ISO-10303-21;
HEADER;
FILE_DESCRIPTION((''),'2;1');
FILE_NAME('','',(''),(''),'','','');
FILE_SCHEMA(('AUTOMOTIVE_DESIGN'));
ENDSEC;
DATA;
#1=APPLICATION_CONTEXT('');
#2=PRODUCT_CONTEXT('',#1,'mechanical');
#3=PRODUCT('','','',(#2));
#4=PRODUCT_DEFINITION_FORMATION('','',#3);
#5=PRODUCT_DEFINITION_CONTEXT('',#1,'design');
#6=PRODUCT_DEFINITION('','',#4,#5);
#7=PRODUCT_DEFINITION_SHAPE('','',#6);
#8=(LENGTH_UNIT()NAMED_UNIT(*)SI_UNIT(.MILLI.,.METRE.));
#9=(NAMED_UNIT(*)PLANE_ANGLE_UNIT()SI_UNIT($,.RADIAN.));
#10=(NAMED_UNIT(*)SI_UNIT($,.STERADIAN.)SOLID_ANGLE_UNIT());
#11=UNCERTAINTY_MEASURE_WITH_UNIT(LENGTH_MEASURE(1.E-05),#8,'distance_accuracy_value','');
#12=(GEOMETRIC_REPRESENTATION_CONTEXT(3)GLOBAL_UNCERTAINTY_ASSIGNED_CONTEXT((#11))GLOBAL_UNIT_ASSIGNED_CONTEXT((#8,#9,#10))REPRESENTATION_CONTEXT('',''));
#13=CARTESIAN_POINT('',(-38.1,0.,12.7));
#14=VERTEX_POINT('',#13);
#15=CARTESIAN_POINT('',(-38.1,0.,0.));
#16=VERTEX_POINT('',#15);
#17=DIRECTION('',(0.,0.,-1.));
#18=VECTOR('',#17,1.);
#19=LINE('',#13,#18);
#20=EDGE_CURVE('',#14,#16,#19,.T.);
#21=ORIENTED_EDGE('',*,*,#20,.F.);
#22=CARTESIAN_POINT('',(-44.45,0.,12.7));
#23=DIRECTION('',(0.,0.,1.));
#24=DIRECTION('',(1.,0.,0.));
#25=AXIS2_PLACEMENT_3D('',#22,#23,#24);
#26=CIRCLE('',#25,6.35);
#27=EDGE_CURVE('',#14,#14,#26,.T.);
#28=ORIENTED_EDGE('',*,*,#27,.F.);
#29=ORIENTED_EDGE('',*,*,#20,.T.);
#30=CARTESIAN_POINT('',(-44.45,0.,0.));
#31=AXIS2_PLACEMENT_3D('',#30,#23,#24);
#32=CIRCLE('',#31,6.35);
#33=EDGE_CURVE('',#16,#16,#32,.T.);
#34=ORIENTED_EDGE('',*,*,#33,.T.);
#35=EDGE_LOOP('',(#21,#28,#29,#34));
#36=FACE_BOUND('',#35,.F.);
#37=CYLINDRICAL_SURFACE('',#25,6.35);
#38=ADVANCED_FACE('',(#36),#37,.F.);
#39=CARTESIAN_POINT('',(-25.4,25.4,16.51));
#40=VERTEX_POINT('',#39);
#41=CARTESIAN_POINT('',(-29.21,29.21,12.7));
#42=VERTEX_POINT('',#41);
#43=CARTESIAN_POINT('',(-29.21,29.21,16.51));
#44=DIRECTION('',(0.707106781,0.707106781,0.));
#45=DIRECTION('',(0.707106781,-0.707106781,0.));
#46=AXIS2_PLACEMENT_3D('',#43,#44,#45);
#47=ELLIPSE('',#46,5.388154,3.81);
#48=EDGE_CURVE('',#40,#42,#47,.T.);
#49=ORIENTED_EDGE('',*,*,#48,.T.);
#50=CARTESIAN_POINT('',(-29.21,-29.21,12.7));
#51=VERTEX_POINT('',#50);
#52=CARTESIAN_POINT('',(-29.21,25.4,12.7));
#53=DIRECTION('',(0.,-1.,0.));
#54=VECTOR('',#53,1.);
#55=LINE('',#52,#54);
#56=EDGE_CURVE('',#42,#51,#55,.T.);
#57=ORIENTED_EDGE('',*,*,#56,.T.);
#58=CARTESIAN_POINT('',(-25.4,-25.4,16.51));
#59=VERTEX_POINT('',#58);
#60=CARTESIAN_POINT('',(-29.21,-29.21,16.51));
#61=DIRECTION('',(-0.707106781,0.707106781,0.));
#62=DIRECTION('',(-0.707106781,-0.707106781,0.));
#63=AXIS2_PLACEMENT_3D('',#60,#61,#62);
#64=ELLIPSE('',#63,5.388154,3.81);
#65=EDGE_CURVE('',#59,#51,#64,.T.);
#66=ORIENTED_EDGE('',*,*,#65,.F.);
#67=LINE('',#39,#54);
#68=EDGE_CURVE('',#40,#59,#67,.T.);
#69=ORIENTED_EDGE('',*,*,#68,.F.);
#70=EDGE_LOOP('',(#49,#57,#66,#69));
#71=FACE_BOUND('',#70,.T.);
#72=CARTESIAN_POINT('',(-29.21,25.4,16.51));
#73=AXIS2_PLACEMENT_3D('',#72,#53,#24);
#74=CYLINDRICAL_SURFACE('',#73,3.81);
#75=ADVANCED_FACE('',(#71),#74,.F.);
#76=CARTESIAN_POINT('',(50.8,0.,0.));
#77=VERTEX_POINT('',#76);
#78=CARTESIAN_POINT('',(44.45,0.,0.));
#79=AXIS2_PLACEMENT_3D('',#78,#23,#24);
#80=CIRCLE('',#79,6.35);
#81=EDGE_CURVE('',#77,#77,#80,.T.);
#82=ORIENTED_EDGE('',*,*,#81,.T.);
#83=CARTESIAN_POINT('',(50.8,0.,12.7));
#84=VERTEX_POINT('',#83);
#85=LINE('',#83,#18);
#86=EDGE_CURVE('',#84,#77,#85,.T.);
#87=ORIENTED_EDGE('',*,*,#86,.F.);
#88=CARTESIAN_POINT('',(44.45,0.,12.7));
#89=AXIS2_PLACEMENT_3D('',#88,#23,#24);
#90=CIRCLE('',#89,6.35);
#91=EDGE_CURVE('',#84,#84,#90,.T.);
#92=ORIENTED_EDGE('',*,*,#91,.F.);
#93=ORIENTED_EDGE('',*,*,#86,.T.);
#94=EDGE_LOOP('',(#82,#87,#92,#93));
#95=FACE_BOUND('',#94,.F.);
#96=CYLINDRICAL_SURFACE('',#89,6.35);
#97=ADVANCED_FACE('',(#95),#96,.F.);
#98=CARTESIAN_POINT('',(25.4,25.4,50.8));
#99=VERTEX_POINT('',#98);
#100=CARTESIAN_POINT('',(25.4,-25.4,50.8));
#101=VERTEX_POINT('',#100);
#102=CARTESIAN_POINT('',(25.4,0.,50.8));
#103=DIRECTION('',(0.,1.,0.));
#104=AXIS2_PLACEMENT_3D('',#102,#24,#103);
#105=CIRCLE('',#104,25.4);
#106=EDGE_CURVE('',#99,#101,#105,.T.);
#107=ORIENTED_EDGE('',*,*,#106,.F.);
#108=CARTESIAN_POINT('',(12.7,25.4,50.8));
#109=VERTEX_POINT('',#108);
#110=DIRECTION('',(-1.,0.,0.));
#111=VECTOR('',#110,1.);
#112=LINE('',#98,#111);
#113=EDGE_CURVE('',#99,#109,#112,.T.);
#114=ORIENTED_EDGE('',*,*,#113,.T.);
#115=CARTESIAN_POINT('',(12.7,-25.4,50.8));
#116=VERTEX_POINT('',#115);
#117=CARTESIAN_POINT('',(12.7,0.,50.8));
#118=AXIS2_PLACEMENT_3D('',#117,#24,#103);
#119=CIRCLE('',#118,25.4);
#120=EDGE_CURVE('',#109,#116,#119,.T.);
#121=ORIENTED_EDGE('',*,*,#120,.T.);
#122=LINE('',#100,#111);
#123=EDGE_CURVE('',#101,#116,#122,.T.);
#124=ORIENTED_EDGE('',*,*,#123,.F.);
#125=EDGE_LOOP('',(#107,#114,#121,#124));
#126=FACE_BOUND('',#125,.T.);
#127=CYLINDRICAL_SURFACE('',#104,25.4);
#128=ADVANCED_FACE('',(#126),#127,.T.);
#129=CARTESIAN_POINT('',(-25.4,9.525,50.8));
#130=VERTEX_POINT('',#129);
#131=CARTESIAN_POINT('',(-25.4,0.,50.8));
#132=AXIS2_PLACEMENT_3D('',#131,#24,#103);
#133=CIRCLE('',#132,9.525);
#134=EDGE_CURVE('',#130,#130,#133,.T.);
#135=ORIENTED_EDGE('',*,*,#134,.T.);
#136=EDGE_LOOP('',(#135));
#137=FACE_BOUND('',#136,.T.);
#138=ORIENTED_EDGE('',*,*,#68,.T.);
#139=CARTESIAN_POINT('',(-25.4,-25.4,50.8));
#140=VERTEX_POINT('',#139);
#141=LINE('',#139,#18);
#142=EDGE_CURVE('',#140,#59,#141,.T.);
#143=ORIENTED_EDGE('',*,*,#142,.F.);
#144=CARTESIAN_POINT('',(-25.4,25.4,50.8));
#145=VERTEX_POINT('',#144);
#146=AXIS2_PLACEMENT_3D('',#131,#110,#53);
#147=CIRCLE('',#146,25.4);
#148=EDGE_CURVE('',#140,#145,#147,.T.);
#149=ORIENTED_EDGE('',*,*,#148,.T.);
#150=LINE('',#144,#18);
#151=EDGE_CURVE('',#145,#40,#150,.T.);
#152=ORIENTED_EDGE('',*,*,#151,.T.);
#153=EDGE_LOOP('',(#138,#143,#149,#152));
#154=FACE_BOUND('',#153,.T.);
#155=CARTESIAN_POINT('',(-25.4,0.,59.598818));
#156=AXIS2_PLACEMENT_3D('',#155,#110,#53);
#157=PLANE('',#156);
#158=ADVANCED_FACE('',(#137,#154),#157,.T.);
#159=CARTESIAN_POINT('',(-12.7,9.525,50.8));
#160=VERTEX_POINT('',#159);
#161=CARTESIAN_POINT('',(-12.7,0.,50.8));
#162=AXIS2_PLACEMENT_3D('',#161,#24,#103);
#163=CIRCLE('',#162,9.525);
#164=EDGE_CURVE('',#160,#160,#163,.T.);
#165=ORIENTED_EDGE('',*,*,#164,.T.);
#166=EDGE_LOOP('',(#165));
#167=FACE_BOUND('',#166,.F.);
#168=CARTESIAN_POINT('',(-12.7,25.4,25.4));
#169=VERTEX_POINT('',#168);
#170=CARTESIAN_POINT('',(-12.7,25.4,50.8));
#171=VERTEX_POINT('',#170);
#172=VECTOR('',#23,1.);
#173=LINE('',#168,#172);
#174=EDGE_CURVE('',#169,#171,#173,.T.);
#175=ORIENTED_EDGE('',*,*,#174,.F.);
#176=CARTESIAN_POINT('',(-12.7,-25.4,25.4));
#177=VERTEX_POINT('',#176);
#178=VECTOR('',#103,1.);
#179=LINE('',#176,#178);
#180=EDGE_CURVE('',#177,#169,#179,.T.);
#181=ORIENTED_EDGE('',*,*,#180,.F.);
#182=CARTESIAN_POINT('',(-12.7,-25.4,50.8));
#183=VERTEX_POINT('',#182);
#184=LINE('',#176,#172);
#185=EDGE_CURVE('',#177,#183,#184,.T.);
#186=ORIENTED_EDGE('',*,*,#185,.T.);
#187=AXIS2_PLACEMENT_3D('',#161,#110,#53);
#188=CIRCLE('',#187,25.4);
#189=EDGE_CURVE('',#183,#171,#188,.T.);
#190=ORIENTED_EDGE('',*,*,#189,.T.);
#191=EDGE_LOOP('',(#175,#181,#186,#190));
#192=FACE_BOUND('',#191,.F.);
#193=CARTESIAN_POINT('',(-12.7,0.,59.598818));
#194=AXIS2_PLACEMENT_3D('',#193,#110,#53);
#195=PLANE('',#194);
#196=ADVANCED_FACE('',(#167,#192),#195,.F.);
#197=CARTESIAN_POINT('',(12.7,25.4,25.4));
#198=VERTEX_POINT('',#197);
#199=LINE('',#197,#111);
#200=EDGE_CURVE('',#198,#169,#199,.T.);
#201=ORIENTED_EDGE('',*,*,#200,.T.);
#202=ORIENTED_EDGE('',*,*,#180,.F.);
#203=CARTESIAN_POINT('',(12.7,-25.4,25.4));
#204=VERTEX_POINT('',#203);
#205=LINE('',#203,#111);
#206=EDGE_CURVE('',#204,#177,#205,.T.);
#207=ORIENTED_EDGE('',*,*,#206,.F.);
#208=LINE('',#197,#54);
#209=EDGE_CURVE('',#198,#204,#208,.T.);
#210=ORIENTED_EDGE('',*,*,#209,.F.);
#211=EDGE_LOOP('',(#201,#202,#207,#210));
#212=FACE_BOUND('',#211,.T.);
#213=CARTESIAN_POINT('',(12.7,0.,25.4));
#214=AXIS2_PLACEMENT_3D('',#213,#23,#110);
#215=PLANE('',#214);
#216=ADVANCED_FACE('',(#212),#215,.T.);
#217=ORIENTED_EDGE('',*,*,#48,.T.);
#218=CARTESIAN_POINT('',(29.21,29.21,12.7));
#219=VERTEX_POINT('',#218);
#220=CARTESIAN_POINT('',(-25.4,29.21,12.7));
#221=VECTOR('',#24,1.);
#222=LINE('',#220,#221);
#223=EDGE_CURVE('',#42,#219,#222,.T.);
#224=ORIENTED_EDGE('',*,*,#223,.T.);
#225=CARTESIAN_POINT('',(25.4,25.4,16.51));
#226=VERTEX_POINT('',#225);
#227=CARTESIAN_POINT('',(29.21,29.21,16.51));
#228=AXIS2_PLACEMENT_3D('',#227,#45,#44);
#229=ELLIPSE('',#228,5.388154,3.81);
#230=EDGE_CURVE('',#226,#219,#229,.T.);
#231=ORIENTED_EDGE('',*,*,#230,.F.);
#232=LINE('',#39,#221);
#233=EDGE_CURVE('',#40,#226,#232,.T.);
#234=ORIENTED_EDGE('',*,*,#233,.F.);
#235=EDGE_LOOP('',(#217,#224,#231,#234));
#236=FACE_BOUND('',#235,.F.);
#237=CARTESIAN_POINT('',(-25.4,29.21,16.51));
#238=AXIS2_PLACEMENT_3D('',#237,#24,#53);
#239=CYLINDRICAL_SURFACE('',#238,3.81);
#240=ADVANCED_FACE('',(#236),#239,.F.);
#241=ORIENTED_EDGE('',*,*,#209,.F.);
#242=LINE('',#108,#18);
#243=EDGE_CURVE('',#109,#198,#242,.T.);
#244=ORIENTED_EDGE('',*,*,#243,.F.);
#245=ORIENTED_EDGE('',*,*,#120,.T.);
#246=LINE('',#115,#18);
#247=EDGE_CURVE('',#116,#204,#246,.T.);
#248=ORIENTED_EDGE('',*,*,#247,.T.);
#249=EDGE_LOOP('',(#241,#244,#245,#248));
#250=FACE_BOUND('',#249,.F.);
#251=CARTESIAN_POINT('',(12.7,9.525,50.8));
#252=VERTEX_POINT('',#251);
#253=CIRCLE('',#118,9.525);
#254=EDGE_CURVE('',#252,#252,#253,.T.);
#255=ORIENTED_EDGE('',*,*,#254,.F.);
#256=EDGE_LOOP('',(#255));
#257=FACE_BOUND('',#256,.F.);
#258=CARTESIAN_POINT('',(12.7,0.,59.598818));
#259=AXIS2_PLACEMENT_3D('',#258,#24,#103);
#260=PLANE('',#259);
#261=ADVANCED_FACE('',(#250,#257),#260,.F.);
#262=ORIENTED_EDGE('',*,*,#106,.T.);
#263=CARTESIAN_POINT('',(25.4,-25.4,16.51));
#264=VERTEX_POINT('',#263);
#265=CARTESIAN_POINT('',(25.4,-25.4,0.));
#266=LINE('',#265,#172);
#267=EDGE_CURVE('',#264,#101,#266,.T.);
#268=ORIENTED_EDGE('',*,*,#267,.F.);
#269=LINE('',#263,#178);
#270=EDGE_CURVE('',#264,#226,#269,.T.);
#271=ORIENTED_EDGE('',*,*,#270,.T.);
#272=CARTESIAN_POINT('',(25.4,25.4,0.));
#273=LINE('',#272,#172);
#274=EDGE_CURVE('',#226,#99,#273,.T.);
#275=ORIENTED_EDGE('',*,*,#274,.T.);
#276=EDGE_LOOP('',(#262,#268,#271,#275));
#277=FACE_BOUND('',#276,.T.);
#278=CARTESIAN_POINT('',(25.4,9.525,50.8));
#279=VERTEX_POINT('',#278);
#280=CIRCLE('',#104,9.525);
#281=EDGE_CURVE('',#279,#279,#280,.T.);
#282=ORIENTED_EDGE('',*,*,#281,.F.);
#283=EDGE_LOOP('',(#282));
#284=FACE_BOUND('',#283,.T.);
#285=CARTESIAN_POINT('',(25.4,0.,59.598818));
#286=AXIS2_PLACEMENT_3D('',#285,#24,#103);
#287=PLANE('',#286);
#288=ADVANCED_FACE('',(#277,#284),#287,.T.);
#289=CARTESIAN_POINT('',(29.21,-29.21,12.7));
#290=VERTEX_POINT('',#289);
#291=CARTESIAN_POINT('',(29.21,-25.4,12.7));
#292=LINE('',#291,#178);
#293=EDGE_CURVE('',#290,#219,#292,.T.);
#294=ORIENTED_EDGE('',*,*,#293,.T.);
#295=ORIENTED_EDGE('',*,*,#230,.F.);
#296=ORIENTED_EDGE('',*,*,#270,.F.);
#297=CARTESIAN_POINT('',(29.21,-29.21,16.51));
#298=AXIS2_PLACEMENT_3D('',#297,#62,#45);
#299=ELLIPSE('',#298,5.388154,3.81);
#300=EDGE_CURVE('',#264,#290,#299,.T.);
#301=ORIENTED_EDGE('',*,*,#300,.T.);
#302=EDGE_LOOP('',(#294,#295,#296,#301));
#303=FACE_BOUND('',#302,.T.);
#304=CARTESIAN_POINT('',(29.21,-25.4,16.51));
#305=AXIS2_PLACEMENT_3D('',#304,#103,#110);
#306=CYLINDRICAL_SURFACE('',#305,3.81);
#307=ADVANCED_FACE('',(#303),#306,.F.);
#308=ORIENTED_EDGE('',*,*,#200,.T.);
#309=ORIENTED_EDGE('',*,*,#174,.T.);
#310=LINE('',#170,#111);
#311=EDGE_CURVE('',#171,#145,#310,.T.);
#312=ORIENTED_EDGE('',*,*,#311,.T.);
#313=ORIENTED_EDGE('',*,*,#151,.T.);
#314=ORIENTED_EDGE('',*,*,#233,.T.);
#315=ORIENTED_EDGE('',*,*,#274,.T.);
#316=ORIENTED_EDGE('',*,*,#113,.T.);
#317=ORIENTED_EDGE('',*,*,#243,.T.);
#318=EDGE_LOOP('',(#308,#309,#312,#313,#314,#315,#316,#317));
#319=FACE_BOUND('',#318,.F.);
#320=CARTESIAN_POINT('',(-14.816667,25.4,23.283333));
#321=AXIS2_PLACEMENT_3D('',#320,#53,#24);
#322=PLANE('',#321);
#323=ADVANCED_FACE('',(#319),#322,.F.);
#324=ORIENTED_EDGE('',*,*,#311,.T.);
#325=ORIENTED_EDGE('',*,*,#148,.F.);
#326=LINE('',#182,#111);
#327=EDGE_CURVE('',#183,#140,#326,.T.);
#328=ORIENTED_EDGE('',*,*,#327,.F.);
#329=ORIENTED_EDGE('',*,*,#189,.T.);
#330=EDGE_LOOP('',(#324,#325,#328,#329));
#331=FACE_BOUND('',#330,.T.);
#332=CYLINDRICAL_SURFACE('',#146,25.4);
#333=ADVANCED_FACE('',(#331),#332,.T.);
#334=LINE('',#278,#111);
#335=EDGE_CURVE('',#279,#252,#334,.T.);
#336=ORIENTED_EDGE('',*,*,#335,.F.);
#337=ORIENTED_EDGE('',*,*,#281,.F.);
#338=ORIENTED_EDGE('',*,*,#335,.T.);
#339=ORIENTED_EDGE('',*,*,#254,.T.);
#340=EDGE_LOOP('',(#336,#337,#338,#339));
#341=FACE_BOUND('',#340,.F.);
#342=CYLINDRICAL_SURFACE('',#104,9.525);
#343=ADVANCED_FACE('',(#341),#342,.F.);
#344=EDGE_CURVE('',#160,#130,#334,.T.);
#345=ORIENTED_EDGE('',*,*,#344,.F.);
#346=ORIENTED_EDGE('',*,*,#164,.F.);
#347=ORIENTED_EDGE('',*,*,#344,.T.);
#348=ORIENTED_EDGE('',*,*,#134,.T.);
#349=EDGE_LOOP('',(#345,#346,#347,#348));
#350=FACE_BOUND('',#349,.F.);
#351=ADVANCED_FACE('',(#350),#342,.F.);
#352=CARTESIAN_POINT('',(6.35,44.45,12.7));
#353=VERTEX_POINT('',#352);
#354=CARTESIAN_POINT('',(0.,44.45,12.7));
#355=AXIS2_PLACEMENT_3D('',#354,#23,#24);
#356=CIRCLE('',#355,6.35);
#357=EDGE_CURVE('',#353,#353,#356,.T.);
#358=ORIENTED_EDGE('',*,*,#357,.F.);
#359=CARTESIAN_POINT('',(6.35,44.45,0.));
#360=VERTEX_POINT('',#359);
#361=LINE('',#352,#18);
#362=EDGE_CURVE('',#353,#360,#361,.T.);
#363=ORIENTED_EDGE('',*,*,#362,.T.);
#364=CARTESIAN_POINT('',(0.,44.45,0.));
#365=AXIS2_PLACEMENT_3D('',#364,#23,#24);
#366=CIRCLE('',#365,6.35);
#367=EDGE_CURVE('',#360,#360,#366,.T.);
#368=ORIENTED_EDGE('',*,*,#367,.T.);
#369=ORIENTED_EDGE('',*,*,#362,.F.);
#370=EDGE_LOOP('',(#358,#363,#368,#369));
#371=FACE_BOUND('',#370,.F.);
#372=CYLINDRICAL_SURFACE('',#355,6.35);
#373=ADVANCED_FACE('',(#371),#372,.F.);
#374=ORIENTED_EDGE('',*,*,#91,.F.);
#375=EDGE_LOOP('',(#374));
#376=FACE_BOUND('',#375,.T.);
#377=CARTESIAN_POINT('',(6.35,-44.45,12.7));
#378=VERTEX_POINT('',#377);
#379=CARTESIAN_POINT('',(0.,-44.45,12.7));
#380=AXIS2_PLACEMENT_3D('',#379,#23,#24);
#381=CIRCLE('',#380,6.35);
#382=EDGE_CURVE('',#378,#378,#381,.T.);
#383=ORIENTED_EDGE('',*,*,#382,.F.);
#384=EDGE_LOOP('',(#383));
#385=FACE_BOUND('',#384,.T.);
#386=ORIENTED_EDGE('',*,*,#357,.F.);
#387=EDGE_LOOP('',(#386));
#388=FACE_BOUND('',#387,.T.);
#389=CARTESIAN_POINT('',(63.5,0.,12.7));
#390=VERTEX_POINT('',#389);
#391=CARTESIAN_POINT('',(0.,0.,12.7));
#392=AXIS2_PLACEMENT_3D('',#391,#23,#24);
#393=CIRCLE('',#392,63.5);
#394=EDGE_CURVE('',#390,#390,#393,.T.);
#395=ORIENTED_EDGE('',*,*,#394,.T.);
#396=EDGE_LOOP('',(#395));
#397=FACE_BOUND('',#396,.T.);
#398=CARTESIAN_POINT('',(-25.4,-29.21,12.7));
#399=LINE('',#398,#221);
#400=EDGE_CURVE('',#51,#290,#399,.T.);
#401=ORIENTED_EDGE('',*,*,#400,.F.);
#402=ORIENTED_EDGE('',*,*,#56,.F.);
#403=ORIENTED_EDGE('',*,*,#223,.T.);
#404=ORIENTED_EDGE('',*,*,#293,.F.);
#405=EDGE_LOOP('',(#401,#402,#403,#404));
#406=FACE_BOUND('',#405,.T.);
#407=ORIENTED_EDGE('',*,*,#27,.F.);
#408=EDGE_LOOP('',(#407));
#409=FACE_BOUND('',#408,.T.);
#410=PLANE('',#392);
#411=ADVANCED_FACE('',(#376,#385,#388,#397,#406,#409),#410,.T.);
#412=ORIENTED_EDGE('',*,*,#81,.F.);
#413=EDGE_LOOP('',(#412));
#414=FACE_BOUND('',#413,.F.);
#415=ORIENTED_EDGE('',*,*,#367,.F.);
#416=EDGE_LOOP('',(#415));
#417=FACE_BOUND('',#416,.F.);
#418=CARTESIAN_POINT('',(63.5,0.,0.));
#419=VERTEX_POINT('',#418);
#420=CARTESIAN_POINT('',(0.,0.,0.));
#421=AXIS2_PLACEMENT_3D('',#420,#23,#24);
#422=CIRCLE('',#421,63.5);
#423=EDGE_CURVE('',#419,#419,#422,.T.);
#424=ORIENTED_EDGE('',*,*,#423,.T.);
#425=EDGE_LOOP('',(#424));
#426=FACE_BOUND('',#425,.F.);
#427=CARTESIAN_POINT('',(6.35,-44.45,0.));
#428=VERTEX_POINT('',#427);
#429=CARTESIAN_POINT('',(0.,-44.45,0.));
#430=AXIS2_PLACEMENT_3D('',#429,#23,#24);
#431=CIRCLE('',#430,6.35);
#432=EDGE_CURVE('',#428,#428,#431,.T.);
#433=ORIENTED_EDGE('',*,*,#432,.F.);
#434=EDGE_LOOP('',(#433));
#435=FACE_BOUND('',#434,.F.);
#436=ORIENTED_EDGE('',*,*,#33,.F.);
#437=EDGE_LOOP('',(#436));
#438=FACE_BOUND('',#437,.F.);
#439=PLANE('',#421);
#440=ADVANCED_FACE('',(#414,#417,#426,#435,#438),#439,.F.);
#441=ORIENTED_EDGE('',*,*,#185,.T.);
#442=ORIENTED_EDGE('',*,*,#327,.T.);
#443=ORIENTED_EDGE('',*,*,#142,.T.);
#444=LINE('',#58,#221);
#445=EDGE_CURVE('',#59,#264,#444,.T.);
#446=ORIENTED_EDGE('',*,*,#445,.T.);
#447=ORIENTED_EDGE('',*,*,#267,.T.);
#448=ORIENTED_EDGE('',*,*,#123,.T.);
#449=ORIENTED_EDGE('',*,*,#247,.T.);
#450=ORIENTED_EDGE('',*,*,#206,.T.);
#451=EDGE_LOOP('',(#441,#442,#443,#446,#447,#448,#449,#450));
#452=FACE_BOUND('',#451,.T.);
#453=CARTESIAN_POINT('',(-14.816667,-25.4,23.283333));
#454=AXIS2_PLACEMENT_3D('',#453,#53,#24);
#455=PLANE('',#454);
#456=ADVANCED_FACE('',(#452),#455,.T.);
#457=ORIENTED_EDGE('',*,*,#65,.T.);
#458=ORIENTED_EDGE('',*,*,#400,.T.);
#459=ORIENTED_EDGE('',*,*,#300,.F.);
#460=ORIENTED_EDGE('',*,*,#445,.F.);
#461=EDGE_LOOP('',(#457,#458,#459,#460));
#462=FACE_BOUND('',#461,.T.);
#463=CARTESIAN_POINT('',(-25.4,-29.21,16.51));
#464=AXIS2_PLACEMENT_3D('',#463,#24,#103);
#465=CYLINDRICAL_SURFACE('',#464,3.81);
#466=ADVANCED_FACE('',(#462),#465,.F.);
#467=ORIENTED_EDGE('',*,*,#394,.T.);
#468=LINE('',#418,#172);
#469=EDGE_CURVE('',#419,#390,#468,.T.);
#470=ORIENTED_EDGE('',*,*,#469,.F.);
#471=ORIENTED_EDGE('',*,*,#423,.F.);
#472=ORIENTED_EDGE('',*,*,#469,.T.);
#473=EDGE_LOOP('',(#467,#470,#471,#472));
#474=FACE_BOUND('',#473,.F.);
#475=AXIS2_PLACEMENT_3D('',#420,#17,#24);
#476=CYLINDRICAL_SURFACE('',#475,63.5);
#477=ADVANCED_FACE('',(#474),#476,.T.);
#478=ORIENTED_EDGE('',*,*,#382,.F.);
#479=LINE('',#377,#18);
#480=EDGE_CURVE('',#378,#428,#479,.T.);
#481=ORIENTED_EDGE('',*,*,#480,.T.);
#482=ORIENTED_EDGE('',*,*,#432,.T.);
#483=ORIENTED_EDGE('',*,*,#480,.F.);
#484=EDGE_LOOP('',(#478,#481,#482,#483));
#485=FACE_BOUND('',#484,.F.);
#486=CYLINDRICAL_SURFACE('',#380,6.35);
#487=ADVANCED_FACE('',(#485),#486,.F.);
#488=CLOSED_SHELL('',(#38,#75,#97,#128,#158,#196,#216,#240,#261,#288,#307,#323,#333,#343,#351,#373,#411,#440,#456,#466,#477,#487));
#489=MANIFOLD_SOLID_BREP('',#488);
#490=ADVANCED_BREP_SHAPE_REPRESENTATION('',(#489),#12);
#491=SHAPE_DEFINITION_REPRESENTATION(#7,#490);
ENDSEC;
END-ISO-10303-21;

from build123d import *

# Parameters (mm, degrees)
F0_R      = 63.5
F1_DEPTH  = 12.7
F3_DEPTH  = 25.4
F6_DEPTH  = 12.7
F9_DEPTH  = 12.7
F10_R     = 9.525
F11_DEPTH = 88.901
F12_R     = 6.35
F13_DEPTH = 12.701
F14_R     = 3.81


with BuildPart() as f1:
    # F0 (on Top) → F1 (new body)
    with BuildSketch(Plane.XY):
        Circle(F0_R)
    extrude(amount=F1_DEPTH)

    # F2 (on Front) → F3 (join, symmetric)
    with BuildSketch(Plane.XZ):
        Polygon((-25.4, 50.8), (-25.4, 0), (0, 0), (0, 25.4), (-12.7, 25.4), (-12.7, 50.8), align=None)
        Polygon((0, 25.4), (0, 0), (25.4, 0), (25.4, 50.8), (12.7, 50.8), (12.7, 25.4), align=None)
    extrude(amount=F3_DEPTH, both=True)

    # F5 (on offset) → F6 (join)
    with BuildSketch(Plane.YZ.offset(25.4)):
        with BuildLine():
            Line((-25.4, 50.8), (25.4, 50.8))
            ThreePointArc((25.4, 50.8), (0, 76.2), (-25.4, 50.8))
        make_face()
    extrude(amount=-F6_DEPTH)

    # F8 (on offset) → F9 (join)
    with BuildSketch(Plane(origin=(-25.4, 0, 0), x_dir=(0, -1, 0), z_dir=(-1, 0, 0))):
        with BuildLine():
            Line((-25.4, 50.8), (25.4, 50.8))
            ThreePointArc((25.4, 50.8), (0, 76.2), (-25.4, 50.8))
        make_face()
    extrude(amount=-F9_DEPTH)

    # F10 (on face) → F11 (cut, through all)
    with BuildSketch(Plane.YZ.offset(25.4)):
        with Locations((0, 50.8)):
            Circle(F10_R)
    extrude(amount=-F11_DEPTH, mode=Mode.SUBTRACT)

    # F12 (on face) → F13 (cut, through all)
    with BuildSketch(Plane.XY.offset(12.7)):
        with Locations((0, 44.45)):
            Circle(F12_R)
        with Locations((44.45, 0)):
            Circle(F12_R)
        with Locations((0, -44.45)):
            Circle(F12_R)
        with Locations((-44.45, 0)):
            Circle(F12_R)
    extrude(amount=-F13_DEPTH, mode=Mode.SUBTRACT)

    # F14
    f14_edges = [f1.edges().sort_by_distance(p)[0] for p in [
        (-25.4, 0, 12.7),
        (0, -25.4, 12.7),
        (25.4, 0, 12.7),
        (0, 25.4, 12.7),
    ]]
    fillet(f14_edges, radius=F14_R)


solid = f1.part
